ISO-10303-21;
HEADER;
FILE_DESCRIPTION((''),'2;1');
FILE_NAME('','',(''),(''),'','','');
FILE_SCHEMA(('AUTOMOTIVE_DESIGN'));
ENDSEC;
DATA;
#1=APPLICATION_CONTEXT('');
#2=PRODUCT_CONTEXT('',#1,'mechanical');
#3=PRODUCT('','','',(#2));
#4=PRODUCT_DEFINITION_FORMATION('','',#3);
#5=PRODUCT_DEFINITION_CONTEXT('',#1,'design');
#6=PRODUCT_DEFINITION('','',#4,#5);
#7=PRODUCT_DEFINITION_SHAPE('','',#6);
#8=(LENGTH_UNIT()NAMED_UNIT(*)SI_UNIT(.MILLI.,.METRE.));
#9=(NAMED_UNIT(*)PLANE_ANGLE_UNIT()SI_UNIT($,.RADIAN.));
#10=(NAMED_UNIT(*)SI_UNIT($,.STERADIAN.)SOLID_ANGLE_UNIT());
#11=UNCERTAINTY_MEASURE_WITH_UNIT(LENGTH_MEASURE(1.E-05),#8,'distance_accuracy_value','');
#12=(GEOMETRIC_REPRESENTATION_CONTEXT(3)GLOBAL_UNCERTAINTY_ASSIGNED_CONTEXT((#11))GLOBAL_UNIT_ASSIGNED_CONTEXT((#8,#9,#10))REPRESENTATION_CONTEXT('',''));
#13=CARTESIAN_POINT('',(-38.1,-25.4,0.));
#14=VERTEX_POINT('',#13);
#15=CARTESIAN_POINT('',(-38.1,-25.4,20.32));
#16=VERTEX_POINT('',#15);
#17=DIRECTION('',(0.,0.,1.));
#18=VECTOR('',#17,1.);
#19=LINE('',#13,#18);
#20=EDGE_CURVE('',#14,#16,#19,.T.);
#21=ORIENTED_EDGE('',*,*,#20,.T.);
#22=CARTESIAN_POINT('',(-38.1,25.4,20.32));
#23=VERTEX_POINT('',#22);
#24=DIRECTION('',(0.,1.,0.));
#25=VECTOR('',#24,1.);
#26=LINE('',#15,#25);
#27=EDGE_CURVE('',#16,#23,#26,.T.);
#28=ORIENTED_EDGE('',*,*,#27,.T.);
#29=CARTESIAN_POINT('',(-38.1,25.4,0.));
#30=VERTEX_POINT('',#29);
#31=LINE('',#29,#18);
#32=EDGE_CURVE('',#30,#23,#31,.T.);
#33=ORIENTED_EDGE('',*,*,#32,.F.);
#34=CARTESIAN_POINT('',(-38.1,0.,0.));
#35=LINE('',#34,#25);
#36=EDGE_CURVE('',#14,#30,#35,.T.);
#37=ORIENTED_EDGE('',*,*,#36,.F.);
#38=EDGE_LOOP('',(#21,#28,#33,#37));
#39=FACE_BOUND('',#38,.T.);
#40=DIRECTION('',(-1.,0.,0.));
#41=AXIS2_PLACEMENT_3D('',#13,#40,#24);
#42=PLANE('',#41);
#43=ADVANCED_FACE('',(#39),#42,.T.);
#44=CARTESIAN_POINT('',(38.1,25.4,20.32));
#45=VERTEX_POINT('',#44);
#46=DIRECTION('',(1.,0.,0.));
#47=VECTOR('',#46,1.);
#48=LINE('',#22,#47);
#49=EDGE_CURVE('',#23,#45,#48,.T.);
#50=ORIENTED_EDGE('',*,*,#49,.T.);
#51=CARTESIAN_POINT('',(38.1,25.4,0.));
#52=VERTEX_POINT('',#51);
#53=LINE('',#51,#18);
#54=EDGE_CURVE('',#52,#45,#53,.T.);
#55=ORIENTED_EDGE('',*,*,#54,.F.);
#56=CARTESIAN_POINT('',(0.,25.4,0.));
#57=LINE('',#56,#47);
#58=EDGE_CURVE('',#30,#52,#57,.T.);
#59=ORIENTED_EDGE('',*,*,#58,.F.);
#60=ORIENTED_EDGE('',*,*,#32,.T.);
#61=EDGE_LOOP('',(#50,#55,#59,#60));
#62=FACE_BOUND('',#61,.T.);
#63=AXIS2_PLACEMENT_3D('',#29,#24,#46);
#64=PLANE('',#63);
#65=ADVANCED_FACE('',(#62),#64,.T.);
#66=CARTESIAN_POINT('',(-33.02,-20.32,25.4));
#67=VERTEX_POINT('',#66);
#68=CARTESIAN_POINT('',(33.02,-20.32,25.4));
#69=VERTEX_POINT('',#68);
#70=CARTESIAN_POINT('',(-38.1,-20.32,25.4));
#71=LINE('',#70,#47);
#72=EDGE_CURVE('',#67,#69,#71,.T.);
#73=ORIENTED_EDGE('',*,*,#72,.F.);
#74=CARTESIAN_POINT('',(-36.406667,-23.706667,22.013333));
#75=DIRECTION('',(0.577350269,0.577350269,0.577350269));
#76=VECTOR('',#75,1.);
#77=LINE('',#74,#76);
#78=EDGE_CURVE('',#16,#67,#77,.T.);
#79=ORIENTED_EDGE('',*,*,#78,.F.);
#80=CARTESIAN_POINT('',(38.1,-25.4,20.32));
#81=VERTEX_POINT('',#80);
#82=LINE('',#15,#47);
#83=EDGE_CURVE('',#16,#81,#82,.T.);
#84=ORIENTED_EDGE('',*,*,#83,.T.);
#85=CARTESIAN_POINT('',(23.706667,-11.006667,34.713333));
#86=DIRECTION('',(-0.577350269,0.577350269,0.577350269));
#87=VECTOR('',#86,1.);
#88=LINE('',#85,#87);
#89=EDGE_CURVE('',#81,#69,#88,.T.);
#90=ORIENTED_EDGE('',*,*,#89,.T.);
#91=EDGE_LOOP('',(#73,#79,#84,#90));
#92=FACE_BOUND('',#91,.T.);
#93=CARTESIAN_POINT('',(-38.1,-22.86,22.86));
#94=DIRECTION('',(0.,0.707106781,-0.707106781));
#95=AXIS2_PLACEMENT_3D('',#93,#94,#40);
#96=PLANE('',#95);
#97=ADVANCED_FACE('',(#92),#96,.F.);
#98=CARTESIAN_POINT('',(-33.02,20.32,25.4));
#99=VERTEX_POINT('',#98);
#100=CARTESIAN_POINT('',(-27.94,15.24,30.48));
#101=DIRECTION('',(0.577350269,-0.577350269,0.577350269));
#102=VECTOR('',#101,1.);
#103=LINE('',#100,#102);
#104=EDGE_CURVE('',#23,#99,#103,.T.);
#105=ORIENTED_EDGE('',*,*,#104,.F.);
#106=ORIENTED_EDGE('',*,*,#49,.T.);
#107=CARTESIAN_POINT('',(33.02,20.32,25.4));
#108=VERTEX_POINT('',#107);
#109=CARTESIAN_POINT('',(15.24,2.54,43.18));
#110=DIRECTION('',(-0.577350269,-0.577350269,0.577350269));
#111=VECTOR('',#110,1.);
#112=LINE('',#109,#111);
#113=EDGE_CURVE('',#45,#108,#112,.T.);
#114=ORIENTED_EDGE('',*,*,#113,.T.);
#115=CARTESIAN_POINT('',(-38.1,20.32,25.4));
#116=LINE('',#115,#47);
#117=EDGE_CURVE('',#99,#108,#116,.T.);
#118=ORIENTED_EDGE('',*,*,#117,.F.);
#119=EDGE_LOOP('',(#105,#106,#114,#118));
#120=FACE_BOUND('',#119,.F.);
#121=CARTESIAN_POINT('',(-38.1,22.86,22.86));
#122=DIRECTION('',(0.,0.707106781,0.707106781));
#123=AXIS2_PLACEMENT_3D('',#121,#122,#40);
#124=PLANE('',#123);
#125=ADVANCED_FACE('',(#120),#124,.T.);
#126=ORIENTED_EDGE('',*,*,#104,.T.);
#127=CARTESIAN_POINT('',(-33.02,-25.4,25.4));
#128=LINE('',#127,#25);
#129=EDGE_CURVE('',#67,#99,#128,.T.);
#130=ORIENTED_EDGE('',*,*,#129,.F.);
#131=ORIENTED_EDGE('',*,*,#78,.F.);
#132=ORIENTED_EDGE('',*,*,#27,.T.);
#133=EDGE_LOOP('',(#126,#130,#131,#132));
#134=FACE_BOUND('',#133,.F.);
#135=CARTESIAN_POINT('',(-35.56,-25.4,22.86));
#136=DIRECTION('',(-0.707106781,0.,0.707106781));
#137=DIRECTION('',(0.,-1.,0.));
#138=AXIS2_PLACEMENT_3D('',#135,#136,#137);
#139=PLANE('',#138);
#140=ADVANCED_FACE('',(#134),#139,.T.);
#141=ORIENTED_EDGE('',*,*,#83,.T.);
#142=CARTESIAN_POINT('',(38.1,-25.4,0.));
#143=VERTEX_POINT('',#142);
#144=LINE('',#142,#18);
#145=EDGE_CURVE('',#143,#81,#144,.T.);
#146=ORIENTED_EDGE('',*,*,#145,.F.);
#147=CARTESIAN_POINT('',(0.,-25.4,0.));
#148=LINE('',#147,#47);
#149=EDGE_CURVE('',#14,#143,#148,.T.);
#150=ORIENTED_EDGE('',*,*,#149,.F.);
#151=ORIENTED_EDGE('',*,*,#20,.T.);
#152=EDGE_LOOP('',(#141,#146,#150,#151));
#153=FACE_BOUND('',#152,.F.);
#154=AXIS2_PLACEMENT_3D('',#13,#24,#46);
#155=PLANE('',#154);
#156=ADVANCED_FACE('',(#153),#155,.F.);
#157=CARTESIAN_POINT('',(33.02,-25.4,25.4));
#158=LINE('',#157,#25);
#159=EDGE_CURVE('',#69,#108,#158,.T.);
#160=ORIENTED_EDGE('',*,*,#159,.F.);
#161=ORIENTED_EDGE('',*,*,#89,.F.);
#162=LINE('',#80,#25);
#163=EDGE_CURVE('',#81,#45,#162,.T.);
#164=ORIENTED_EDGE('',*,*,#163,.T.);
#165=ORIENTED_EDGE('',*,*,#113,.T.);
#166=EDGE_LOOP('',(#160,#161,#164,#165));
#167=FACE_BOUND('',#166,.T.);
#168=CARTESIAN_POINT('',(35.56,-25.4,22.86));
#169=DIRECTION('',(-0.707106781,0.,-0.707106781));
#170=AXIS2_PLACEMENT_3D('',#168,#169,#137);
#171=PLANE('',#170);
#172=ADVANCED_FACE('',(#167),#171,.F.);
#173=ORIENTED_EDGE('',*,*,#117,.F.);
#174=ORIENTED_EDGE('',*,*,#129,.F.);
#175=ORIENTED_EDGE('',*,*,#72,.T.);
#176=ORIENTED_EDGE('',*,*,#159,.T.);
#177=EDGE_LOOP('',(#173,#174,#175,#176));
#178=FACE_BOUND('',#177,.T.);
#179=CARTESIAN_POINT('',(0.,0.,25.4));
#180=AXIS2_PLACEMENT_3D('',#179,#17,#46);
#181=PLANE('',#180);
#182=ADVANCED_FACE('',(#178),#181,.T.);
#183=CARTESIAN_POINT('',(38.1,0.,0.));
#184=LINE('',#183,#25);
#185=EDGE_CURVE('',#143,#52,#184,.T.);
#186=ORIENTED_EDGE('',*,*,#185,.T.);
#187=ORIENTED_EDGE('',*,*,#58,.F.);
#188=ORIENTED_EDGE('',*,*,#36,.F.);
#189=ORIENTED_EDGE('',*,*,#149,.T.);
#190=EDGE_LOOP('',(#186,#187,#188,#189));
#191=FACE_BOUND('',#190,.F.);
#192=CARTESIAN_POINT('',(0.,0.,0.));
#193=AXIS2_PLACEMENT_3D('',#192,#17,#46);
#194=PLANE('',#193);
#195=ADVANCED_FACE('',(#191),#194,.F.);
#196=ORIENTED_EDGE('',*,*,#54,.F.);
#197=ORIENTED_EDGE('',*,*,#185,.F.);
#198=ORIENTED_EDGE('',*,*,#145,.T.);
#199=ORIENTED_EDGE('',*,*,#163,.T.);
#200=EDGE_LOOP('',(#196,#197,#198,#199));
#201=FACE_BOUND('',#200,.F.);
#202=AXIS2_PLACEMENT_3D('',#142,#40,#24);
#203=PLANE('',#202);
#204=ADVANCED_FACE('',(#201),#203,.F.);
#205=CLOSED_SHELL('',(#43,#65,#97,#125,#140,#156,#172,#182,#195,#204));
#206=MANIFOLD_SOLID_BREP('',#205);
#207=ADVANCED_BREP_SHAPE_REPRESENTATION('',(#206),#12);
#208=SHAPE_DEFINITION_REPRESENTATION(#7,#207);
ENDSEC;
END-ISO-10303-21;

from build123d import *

# Parameters (mm, degrees)
F0_W     = 76.2
F0_H     = 50.8
F1_DEPTH = 25.4
F2_SIZE  = 5.08


with BuildPart() as f1:
    # F0 (on Top) → F1 (new body)
    with BuildSketch(Plane.XY):
        Rectangle(F0_W, F0_H)
    extrude(amount=F1_DEPTH)

    # F2
    f2_edges = [f1.edges().sort_by_distance(p)[0] for p in [
        (-38.1, 0, 25.4),
        (0, -25.4, 25.4),
        (38.1, 0, 25.4),
        (0, 25.4, 25.4),
    ]]
    chamfer(f2_edges, length=F2_SIZE)


solid = f1.part
